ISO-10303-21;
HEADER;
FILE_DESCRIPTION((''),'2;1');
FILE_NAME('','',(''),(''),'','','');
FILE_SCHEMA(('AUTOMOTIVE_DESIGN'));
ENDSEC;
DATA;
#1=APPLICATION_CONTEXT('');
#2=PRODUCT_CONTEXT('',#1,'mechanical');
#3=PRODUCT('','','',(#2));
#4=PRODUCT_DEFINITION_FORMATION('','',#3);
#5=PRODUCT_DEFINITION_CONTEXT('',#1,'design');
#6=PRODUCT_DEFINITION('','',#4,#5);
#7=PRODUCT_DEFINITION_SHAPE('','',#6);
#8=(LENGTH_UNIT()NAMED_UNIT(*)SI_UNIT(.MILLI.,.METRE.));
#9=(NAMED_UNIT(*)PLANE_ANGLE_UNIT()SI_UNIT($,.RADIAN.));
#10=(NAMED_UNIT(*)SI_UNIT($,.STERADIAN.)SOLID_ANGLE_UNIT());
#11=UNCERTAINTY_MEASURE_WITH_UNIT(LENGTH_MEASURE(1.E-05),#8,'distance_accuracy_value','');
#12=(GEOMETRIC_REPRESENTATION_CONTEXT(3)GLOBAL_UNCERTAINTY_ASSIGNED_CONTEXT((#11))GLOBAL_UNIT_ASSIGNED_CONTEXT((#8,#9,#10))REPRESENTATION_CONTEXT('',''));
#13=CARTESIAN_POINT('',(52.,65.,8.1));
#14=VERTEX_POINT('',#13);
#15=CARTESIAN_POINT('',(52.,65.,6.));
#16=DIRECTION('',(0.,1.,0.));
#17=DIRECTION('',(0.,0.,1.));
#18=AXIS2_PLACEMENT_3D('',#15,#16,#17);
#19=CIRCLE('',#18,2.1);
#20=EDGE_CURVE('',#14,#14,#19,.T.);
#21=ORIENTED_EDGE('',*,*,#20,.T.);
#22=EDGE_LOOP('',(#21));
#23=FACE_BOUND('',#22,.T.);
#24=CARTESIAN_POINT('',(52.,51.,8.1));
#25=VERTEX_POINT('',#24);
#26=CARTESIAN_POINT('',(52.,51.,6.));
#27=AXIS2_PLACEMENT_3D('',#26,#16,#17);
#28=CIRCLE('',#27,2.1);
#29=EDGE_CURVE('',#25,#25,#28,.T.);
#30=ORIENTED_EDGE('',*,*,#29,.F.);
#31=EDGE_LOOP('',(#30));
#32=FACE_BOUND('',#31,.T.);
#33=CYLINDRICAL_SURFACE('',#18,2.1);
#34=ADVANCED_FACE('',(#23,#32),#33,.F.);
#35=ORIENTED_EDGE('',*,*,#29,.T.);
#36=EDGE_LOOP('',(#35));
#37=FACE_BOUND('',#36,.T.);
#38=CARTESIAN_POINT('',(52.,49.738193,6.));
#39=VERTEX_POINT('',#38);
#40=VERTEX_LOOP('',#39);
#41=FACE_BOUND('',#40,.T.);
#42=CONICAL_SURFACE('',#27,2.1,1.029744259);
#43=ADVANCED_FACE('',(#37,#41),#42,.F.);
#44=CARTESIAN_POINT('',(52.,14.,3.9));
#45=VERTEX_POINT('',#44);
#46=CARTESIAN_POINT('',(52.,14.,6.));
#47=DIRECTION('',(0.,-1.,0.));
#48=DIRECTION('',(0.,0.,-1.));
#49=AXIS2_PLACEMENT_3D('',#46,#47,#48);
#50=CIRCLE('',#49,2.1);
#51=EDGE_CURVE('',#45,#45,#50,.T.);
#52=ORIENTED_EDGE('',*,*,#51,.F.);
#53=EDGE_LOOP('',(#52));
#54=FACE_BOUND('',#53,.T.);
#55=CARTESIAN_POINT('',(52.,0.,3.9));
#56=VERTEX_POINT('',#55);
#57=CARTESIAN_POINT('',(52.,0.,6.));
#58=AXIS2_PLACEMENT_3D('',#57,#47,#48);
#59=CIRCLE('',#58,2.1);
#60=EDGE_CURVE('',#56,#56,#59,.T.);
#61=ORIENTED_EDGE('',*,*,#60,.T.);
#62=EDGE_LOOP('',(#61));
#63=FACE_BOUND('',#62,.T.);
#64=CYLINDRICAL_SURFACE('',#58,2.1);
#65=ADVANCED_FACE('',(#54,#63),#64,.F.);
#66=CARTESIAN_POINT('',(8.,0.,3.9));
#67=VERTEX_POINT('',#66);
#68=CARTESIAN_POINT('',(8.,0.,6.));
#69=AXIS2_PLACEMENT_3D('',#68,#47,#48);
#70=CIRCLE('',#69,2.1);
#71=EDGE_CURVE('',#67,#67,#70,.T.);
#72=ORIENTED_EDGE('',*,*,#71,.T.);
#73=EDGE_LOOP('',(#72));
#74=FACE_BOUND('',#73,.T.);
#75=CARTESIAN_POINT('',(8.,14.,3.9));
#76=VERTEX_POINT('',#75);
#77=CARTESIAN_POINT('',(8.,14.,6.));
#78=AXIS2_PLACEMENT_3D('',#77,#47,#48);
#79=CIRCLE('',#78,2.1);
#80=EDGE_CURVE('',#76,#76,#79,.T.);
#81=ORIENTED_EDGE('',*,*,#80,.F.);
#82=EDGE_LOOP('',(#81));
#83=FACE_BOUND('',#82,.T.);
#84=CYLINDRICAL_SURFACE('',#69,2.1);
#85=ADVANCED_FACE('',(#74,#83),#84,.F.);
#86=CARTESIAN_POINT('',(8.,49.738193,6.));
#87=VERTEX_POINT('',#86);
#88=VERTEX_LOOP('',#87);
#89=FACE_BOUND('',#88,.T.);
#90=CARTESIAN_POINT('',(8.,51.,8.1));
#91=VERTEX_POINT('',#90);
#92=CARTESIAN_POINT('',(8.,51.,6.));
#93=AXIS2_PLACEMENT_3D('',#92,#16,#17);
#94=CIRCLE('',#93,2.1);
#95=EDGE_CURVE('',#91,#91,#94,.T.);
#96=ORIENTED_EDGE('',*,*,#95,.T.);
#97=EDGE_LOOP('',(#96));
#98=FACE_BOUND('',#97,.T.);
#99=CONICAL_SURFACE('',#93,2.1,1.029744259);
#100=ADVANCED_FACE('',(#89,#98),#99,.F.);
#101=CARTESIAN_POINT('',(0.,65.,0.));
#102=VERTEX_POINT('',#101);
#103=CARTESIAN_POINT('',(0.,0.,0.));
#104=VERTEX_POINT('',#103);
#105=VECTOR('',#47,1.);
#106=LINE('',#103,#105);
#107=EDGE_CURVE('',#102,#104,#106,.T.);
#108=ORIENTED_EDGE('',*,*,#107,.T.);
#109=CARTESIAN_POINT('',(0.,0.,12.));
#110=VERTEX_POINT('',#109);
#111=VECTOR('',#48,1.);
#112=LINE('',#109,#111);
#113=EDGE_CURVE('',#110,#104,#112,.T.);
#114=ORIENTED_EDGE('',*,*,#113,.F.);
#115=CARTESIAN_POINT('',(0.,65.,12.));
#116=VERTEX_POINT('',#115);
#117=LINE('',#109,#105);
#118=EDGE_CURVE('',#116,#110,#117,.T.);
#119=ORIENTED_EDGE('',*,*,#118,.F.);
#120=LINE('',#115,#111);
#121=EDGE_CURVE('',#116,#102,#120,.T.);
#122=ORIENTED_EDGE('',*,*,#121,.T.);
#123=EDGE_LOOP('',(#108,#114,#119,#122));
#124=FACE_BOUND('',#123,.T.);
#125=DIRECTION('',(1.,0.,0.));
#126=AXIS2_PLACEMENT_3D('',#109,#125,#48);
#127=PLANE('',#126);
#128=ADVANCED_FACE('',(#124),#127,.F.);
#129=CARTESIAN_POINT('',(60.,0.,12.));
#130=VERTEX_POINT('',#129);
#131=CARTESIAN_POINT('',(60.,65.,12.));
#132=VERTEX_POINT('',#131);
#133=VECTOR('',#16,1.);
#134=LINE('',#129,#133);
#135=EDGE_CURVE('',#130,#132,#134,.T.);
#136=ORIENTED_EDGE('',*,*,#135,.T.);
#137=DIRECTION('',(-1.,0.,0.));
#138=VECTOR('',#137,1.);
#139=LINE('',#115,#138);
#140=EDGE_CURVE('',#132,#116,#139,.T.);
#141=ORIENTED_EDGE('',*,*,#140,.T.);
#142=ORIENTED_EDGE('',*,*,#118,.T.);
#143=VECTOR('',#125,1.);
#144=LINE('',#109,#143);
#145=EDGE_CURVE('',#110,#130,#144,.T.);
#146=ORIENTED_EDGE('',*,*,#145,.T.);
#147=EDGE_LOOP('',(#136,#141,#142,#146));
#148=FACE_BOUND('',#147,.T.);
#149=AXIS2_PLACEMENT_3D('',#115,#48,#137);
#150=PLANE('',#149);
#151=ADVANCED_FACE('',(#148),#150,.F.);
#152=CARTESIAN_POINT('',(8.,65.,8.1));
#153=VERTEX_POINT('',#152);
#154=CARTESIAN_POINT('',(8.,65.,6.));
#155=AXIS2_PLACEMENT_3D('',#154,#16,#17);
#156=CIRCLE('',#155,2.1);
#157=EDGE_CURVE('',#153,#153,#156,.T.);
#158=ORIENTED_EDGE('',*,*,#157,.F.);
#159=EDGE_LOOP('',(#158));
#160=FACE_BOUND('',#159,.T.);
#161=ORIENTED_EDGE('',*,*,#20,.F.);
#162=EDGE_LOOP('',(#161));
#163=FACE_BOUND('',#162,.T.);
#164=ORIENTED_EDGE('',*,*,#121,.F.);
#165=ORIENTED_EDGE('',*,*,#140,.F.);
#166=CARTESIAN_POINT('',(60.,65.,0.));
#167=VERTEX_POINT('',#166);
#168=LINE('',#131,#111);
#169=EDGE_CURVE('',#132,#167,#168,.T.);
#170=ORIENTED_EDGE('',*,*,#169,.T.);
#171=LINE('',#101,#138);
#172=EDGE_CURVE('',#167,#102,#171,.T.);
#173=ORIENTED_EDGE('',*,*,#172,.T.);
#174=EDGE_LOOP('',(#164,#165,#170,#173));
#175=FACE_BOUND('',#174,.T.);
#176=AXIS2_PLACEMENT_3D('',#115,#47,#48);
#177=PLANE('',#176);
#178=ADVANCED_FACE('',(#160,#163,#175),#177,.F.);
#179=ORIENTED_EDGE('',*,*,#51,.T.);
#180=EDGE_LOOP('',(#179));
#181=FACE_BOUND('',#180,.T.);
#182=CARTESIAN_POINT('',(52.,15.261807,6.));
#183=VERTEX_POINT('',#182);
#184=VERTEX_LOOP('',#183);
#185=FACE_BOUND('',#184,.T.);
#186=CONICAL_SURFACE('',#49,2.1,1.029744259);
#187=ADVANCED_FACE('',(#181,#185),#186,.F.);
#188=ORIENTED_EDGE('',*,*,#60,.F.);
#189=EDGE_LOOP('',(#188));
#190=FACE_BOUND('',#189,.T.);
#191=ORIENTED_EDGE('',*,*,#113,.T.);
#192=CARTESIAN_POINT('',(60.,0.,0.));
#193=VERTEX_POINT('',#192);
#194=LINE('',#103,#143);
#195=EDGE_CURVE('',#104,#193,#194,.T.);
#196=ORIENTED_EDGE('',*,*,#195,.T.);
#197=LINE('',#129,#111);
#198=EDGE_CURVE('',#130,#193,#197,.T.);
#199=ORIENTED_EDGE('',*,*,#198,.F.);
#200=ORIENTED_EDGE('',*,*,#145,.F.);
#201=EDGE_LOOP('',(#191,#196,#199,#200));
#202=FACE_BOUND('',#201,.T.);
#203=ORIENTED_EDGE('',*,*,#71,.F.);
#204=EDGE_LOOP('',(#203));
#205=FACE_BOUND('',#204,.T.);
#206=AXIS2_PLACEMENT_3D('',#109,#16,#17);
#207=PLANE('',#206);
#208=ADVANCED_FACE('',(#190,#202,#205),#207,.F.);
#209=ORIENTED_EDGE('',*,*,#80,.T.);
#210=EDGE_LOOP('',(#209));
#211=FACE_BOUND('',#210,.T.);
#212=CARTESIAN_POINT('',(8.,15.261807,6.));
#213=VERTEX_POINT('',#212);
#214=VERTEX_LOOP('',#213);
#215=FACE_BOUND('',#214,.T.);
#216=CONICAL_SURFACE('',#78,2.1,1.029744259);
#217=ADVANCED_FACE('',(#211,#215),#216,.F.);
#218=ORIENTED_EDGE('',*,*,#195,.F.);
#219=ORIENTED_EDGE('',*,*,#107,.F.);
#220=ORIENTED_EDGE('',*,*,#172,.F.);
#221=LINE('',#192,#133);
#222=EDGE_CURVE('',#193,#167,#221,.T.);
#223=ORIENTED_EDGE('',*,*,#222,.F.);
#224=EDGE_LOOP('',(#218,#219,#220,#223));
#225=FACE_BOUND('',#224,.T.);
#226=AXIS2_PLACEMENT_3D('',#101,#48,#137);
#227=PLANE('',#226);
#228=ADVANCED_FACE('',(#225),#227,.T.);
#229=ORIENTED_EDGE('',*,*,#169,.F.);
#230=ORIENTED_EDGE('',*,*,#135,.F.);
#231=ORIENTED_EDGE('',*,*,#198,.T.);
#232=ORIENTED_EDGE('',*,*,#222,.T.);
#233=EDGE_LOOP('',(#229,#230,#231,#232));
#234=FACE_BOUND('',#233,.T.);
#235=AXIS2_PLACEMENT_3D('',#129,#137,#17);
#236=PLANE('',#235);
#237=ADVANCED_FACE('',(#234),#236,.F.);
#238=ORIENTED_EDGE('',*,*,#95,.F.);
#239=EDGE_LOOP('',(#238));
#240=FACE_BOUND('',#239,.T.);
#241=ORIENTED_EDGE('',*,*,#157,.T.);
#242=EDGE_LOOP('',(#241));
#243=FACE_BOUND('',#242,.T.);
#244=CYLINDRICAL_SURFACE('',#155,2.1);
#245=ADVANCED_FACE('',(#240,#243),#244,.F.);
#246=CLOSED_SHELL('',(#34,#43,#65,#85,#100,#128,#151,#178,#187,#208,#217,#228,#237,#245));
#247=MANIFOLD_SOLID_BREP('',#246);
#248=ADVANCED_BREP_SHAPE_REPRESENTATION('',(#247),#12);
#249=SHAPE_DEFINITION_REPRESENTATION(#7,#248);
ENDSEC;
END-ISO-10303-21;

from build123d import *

# Parameters (mm, degrees)
ESQUISSE1_W           = 60
ESQUISSE1_H           = 65
BOSS_EXTRU_1_DEPTH    = 12
TROU_TARAUD_M57_D     = 4.2
TROU_TARAUD_M57_DEPTH = 14
TROU_TARAUD_M57_TIP   = 1.2618073
TROU_TARAUD_M58_D     = 4.2
TROU_TARAUD_M58_DEPTH = 14
TROU_TARAUD_M58_TIP   = 1.2618073
TROU_TARAUD_M56_D     = 4.2
TROU_TARAUD_M56_DEPTH = 14
TROU_TARAUD_M56_TIP   = 1.2618073
TROU_TARAUD_M55_D     = 4.2
TROU_TARAUD_M55_DEPTH = 14
TROU_TARAUD_M55_TIP   = 1.2618073


with BuildPart() as part:
    # Esquisse1 → Boss.-Extru.1 (new body)
    with BuildSketch(Plane.XY):
        with Locations((30, 32.5)):
            Rectangle(ESQUISSE1_W, ESQUISSE1_H)
    extrude(amount=BOSS_EXTRU_1_DEPTH)

    # Trou taraudé M57
    with Locations(Plane(origin=(0, 65, 0), x_dir=(-1, 0, 0), z_dir=(0, 1, 0))):
        with Locations((-8, 6)):
            Hole(TROU_TARAUD_M57_D / 2, depth=TROU_TARAUD_M57_DEPTH)
            with Locations((0, 0, -(TROU_TARAUD_M57_DEPTH + TROU_TARAUD_M57_TIP / 2))):  # 118° drill point
                Cone(0, TROU_TARAUD_M57_D / 2, TROU_TARAUD_M57_TIP, mode=Mode.SUBTRACT)

    # Trou taraudé M58
    with Locations(Plane(origin=(0, 65, 0), x_dir=(-1, 0, 0), z_dir=(0, 1, 0))):
        with Locations((-52, 6)):
            Hole(TROU_TARAUD_M58_D / 2, depth=TROU_TARAUD_M58_DEPTH)
            with Locations((0, 0, -(TROU_TARAUD_M58_DEPTH + TROU_TARAUD_M58_TIP / 2))):  # 118° drill point
                Cone(0, TROU_TARAUD_M58_D / 2, TROU_TARAUD_M58_TIP, mode=Mode.SUBTRACT)

    # Trou taraudé M56
    with Locations(Plane.XZ):
        with Locations((8, 6)):
            Hole(TROU_TARAUD_M56_D / 2, depth=TROU_TARAUD_M56_DEPTH)
            with Locations((0, 0, -(TROU_TARAUD_M56_DEPTH + TROU_TARAUD_M56_TIP / 2))):  # 118° drill point
                Cone(0, TROU_TARAUD_M56_D / 2, TROU_TARAUD_M56_TIP, mode=Mode.SUBTRACT)

    # Trou taraudé M55
    with Locations(Plane.XZ):
        with Locations((52, 6)):
            Hole(TROU_TARAUD_M55_D / 2, depth=TROU_TARAUD_M55_DEPTH)
            with Locations((0, 0, -(TROU_TARAUD_M55_DEPTH + TROU_TARAUD_M55_TIP / 2))):  # 118° drill point
                Cone(0, TROU_TARAUD_M55_D / 2, TROU_TARAUD_M55_TIP, mode=Mode.SUBTRACT)


solid = part.part
